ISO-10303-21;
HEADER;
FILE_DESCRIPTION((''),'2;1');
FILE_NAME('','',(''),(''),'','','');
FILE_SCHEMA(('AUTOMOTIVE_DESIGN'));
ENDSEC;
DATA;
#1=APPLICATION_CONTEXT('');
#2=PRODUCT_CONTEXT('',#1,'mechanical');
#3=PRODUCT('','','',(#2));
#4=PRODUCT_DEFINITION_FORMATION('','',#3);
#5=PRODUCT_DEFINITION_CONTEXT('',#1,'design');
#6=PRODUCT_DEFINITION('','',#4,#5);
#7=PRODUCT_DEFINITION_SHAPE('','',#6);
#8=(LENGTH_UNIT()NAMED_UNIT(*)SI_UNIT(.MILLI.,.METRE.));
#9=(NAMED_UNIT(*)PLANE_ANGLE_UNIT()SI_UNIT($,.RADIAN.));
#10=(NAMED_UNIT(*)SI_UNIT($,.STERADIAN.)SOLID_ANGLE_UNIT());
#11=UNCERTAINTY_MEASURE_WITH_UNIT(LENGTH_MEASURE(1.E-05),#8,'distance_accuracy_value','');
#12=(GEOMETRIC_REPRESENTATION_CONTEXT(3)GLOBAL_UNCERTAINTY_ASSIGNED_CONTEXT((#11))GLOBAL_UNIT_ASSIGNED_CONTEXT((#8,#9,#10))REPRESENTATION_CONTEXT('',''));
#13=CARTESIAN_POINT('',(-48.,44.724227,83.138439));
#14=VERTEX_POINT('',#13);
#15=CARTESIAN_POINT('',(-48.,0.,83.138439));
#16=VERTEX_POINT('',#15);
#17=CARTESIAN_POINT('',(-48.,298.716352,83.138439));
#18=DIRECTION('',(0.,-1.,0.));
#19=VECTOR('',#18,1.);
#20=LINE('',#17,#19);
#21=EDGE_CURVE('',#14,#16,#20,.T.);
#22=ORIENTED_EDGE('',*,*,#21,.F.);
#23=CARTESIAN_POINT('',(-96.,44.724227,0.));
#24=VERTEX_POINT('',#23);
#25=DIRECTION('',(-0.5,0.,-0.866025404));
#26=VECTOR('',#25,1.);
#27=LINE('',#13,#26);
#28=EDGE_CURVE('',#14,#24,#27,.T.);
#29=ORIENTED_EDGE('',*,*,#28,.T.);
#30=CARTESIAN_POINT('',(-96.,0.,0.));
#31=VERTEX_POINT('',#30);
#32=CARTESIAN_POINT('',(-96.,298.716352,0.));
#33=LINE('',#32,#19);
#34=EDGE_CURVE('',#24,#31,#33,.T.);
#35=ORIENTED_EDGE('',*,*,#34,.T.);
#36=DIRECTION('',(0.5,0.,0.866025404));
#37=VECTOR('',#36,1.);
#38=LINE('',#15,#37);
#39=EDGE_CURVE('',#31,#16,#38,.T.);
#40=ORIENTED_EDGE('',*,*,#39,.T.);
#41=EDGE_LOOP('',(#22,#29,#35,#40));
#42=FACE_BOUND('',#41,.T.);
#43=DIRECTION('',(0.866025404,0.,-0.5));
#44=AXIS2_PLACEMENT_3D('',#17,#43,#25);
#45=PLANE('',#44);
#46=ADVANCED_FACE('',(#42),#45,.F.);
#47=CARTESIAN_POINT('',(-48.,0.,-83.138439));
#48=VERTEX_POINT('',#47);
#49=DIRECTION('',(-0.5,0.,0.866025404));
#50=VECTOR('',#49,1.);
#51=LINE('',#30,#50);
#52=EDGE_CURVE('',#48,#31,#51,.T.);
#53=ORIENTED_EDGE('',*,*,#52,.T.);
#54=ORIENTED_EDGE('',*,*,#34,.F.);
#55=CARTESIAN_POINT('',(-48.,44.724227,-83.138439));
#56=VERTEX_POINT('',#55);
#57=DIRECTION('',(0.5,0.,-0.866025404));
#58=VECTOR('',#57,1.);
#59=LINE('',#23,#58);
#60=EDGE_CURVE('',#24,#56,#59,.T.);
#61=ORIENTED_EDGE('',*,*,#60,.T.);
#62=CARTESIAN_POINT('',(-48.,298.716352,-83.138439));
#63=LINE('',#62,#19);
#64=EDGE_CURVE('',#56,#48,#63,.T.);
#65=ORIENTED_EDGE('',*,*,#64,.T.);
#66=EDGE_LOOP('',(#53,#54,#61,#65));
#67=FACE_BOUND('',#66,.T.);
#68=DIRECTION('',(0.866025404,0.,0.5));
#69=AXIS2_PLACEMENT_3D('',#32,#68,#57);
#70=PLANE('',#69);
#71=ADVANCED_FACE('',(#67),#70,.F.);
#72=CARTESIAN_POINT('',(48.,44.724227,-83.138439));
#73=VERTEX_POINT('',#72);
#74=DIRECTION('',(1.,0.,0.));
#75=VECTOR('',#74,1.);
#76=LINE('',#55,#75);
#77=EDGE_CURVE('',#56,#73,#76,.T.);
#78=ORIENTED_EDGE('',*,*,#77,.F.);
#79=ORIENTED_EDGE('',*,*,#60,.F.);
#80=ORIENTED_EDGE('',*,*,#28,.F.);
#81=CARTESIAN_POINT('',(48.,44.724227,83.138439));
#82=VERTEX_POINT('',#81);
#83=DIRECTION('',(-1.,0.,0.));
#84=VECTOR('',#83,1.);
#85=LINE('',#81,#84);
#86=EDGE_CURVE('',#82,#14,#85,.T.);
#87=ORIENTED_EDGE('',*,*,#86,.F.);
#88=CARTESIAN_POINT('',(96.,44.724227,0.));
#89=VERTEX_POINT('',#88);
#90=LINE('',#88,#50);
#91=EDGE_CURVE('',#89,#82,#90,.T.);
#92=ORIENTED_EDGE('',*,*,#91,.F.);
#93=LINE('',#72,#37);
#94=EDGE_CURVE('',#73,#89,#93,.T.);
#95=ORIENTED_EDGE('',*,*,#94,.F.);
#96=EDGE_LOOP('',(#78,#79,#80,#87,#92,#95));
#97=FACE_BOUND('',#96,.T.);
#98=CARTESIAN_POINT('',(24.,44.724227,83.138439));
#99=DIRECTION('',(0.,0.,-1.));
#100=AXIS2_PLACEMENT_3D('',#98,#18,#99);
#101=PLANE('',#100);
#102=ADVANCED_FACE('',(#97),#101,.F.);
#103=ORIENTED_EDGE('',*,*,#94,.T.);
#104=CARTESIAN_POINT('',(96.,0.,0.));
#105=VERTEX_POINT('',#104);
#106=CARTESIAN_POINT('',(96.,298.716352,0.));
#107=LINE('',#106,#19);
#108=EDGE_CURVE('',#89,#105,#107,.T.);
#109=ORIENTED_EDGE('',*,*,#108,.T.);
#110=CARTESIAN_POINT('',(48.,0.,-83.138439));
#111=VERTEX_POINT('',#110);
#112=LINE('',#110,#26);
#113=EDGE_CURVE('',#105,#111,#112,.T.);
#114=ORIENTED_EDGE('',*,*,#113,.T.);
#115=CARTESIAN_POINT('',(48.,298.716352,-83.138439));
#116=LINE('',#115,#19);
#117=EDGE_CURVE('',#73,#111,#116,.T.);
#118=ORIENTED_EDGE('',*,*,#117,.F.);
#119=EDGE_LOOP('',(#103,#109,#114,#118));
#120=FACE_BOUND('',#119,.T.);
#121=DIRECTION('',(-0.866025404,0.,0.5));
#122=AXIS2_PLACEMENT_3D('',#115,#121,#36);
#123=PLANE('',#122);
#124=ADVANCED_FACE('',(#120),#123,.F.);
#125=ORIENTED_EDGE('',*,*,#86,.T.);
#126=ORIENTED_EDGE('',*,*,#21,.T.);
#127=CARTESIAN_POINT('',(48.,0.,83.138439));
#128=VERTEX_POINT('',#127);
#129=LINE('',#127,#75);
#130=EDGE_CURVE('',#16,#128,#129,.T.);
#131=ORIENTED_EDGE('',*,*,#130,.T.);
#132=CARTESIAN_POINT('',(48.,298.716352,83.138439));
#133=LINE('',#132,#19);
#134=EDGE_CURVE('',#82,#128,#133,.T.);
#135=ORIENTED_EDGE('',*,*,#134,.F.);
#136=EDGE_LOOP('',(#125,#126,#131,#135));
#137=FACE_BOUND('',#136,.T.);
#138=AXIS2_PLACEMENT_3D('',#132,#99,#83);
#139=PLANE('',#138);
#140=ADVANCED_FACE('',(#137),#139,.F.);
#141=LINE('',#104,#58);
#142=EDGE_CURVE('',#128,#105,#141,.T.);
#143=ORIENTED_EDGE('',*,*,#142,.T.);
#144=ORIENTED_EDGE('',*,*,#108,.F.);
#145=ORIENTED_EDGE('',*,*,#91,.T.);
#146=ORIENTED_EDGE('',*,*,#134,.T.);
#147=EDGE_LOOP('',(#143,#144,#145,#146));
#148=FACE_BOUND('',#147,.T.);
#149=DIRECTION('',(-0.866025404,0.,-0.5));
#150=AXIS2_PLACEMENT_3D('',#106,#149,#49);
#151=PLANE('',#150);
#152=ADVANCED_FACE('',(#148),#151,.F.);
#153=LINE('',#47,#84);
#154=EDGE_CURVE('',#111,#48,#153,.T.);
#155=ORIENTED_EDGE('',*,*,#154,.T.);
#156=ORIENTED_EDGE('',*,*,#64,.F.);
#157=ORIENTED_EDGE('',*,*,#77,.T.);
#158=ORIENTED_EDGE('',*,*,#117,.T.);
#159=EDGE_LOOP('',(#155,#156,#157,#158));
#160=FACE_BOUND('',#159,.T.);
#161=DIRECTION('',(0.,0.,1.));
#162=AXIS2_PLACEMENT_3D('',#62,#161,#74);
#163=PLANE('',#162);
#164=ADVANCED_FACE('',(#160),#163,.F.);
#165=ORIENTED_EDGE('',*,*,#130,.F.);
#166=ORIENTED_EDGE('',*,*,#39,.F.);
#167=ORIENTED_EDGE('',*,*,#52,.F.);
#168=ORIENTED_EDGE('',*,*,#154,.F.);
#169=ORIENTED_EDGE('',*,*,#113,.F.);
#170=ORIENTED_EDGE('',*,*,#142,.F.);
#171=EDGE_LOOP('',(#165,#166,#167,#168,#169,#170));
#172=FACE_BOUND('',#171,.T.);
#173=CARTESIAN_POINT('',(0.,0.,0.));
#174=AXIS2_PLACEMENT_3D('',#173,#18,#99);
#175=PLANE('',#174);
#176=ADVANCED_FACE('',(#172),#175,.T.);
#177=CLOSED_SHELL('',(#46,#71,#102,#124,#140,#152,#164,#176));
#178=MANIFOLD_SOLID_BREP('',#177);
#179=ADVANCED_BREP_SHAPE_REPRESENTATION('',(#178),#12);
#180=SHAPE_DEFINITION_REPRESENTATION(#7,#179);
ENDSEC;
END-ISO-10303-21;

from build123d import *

# Parameters (mm, degrees)
BOSS_EXTRUDE1_DEPTH = 44.724226537


with BuildPart() as part:
    # Sketch1 → Boss-Extrude1 (new body)
    with BuildSketch(Plane(origin=(0, 0, 0), x_dir=(1, 0, 0), z_dir=(0, 1, 0))):
        Polygon((-48, 83.138438763), (48, 83.138438763), (96, 0), (48, -83.138438763), (-48, -83.138438763), (-96, 0), align=None)
    extrude(amount=BOSS_EXTRUDE1_DEPTH)


solid = part.part
